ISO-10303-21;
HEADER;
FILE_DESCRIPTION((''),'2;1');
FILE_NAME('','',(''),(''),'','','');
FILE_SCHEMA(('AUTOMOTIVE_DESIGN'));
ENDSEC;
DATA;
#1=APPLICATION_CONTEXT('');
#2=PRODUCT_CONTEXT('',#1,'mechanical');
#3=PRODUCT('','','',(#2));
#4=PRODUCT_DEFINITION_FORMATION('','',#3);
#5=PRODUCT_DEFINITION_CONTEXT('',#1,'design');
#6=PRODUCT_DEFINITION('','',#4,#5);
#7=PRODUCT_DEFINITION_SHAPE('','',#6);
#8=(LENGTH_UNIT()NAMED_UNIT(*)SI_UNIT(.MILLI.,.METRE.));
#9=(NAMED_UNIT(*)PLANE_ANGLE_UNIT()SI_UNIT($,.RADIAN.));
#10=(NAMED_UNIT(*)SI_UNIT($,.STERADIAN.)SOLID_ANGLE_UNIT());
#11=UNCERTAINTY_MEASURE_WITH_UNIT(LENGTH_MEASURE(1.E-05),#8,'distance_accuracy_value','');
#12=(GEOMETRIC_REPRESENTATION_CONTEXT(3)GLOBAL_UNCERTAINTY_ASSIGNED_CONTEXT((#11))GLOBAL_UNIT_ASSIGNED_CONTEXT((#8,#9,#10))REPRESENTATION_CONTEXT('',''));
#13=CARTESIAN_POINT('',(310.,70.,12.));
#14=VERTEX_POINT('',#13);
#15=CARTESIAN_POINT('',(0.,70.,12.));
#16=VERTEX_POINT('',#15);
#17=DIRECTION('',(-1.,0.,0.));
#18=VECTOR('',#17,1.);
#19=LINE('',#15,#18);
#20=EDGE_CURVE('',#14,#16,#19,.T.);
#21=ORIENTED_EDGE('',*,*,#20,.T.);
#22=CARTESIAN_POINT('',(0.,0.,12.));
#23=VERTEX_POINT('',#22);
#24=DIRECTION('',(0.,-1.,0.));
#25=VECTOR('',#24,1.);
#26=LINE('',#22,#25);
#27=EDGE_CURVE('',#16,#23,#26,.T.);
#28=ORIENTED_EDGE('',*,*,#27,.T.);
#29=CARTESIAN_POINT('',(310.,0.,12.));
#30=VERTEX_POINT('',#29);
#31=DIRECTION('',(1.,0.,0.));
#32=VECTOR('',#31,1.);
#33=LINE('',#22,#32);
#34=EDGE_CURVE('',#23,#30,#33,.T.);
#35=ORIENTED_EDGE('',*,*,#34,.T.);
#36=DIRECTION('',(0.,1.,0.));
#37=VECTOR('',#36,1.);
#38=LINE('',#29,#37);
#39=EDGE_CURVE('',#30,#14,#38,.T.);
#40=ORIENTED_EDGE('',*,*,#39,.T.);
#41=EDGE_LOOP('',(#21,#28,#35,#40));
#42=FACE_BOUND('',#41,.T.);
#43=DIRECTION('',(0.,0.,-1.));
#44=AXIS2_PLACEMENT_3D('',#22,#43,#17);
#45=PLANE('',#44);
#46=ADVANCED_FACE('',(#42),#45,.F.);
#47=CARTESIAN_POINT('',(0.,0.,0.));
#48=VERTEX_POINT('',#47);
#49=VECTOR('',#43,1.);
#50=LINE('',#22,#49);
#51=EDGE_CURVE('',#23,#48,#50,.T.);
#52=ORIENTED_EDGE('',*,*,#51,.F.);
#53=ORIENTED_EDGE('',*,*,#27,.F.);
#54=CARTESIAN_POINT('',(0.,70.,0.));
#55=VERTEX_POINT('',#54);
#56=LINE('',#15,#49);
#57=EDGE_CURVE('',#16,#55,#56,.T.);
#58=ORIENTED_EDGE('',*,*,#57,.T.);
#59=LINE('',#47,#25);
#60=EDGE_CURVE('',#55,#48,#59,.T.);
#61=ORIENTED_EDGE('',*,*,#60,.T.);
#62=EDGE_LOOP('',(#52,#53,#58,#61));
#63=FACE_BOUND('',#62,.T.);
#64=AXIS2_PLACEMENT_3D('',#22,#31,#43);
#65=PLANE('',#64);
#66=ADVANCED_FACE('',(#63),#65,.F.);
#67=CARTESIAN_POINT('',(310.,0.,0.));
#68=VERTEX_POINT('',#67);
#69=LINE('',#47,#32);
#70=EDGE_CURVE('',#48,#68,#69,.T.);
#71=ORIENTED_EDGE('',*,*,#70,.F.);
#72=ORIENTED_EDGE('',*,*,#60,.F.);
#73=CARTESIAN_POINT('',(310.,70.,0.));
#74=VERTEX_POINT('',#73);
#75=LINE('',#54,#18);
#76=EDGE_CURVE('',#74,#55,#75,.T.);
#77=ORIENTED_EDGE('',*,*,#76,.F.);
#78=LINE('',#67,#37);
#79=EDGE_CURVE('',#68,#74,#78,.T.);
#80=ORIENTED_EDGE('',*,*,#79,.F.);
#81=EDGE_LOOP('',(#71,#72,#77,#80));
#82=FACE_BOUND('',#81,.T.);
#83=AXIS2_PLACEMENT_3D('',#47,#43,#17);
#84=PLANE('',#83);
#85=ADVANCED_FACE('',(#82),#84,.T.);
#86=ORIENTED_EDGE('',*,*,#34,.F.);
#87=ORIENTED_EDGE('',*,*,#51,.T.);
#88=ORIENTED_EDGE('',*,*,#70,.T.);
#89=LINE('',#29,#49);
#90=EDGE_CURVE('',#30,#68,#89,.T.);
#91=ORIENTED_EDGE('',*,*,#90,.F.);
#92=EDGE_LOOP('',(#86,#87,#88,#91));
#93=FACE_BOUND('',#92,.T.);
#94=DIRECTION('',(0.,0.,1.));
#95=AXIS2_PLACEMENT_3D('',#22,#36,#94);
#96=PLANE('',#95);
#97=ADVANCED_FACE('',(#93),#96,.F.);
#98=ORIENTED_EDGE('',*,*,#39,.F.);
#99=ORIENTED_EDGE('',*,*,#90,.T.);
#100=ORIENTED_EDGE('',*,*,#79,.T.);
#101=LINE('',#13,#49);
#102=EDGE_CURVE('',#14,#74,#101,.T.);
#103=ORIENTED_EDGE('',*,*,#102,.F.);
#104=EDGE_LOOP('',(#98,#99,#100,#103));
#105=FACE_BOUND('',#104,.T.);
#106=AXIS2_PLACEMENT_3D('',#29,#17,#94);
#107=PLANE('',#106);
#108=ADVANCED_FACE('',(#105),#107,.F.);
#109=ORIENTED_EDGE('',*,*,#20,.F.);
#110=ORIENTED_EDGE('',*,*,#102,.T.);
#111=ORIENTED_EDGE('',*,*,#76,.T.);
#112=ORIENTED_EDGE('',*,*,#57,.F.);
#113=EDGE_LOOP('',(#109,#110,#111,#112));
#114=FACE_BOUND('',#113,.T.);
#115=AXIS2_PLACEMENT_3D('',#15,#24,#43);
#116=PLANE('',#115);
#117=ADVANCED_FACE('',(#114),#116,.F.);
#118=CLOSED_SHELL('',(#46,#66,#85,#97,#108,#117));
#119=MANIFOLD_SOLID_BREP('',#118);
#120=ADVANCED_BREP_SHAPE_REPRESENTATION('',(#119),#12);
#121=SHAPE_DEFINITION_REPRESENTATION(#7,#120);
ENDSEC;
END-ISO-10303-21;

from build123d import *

# Parameters (mm, degrees)
SKETCH_1_W      = 310
SKETCH_1_H      = 70
EXTRUDE_1_DEPTH = 12


with BuildPart() as part:
    # 草图1 → 凸台-拉伸1 (new body)
    with BuildSketch(Plane.XY):
        with Locations((155, 35)):
            Rectangle(SKETCH_1_W, SKETCH_1_H)
    extrude(amount=EXTRUDE_1_DEPTH)


solid = part.part
